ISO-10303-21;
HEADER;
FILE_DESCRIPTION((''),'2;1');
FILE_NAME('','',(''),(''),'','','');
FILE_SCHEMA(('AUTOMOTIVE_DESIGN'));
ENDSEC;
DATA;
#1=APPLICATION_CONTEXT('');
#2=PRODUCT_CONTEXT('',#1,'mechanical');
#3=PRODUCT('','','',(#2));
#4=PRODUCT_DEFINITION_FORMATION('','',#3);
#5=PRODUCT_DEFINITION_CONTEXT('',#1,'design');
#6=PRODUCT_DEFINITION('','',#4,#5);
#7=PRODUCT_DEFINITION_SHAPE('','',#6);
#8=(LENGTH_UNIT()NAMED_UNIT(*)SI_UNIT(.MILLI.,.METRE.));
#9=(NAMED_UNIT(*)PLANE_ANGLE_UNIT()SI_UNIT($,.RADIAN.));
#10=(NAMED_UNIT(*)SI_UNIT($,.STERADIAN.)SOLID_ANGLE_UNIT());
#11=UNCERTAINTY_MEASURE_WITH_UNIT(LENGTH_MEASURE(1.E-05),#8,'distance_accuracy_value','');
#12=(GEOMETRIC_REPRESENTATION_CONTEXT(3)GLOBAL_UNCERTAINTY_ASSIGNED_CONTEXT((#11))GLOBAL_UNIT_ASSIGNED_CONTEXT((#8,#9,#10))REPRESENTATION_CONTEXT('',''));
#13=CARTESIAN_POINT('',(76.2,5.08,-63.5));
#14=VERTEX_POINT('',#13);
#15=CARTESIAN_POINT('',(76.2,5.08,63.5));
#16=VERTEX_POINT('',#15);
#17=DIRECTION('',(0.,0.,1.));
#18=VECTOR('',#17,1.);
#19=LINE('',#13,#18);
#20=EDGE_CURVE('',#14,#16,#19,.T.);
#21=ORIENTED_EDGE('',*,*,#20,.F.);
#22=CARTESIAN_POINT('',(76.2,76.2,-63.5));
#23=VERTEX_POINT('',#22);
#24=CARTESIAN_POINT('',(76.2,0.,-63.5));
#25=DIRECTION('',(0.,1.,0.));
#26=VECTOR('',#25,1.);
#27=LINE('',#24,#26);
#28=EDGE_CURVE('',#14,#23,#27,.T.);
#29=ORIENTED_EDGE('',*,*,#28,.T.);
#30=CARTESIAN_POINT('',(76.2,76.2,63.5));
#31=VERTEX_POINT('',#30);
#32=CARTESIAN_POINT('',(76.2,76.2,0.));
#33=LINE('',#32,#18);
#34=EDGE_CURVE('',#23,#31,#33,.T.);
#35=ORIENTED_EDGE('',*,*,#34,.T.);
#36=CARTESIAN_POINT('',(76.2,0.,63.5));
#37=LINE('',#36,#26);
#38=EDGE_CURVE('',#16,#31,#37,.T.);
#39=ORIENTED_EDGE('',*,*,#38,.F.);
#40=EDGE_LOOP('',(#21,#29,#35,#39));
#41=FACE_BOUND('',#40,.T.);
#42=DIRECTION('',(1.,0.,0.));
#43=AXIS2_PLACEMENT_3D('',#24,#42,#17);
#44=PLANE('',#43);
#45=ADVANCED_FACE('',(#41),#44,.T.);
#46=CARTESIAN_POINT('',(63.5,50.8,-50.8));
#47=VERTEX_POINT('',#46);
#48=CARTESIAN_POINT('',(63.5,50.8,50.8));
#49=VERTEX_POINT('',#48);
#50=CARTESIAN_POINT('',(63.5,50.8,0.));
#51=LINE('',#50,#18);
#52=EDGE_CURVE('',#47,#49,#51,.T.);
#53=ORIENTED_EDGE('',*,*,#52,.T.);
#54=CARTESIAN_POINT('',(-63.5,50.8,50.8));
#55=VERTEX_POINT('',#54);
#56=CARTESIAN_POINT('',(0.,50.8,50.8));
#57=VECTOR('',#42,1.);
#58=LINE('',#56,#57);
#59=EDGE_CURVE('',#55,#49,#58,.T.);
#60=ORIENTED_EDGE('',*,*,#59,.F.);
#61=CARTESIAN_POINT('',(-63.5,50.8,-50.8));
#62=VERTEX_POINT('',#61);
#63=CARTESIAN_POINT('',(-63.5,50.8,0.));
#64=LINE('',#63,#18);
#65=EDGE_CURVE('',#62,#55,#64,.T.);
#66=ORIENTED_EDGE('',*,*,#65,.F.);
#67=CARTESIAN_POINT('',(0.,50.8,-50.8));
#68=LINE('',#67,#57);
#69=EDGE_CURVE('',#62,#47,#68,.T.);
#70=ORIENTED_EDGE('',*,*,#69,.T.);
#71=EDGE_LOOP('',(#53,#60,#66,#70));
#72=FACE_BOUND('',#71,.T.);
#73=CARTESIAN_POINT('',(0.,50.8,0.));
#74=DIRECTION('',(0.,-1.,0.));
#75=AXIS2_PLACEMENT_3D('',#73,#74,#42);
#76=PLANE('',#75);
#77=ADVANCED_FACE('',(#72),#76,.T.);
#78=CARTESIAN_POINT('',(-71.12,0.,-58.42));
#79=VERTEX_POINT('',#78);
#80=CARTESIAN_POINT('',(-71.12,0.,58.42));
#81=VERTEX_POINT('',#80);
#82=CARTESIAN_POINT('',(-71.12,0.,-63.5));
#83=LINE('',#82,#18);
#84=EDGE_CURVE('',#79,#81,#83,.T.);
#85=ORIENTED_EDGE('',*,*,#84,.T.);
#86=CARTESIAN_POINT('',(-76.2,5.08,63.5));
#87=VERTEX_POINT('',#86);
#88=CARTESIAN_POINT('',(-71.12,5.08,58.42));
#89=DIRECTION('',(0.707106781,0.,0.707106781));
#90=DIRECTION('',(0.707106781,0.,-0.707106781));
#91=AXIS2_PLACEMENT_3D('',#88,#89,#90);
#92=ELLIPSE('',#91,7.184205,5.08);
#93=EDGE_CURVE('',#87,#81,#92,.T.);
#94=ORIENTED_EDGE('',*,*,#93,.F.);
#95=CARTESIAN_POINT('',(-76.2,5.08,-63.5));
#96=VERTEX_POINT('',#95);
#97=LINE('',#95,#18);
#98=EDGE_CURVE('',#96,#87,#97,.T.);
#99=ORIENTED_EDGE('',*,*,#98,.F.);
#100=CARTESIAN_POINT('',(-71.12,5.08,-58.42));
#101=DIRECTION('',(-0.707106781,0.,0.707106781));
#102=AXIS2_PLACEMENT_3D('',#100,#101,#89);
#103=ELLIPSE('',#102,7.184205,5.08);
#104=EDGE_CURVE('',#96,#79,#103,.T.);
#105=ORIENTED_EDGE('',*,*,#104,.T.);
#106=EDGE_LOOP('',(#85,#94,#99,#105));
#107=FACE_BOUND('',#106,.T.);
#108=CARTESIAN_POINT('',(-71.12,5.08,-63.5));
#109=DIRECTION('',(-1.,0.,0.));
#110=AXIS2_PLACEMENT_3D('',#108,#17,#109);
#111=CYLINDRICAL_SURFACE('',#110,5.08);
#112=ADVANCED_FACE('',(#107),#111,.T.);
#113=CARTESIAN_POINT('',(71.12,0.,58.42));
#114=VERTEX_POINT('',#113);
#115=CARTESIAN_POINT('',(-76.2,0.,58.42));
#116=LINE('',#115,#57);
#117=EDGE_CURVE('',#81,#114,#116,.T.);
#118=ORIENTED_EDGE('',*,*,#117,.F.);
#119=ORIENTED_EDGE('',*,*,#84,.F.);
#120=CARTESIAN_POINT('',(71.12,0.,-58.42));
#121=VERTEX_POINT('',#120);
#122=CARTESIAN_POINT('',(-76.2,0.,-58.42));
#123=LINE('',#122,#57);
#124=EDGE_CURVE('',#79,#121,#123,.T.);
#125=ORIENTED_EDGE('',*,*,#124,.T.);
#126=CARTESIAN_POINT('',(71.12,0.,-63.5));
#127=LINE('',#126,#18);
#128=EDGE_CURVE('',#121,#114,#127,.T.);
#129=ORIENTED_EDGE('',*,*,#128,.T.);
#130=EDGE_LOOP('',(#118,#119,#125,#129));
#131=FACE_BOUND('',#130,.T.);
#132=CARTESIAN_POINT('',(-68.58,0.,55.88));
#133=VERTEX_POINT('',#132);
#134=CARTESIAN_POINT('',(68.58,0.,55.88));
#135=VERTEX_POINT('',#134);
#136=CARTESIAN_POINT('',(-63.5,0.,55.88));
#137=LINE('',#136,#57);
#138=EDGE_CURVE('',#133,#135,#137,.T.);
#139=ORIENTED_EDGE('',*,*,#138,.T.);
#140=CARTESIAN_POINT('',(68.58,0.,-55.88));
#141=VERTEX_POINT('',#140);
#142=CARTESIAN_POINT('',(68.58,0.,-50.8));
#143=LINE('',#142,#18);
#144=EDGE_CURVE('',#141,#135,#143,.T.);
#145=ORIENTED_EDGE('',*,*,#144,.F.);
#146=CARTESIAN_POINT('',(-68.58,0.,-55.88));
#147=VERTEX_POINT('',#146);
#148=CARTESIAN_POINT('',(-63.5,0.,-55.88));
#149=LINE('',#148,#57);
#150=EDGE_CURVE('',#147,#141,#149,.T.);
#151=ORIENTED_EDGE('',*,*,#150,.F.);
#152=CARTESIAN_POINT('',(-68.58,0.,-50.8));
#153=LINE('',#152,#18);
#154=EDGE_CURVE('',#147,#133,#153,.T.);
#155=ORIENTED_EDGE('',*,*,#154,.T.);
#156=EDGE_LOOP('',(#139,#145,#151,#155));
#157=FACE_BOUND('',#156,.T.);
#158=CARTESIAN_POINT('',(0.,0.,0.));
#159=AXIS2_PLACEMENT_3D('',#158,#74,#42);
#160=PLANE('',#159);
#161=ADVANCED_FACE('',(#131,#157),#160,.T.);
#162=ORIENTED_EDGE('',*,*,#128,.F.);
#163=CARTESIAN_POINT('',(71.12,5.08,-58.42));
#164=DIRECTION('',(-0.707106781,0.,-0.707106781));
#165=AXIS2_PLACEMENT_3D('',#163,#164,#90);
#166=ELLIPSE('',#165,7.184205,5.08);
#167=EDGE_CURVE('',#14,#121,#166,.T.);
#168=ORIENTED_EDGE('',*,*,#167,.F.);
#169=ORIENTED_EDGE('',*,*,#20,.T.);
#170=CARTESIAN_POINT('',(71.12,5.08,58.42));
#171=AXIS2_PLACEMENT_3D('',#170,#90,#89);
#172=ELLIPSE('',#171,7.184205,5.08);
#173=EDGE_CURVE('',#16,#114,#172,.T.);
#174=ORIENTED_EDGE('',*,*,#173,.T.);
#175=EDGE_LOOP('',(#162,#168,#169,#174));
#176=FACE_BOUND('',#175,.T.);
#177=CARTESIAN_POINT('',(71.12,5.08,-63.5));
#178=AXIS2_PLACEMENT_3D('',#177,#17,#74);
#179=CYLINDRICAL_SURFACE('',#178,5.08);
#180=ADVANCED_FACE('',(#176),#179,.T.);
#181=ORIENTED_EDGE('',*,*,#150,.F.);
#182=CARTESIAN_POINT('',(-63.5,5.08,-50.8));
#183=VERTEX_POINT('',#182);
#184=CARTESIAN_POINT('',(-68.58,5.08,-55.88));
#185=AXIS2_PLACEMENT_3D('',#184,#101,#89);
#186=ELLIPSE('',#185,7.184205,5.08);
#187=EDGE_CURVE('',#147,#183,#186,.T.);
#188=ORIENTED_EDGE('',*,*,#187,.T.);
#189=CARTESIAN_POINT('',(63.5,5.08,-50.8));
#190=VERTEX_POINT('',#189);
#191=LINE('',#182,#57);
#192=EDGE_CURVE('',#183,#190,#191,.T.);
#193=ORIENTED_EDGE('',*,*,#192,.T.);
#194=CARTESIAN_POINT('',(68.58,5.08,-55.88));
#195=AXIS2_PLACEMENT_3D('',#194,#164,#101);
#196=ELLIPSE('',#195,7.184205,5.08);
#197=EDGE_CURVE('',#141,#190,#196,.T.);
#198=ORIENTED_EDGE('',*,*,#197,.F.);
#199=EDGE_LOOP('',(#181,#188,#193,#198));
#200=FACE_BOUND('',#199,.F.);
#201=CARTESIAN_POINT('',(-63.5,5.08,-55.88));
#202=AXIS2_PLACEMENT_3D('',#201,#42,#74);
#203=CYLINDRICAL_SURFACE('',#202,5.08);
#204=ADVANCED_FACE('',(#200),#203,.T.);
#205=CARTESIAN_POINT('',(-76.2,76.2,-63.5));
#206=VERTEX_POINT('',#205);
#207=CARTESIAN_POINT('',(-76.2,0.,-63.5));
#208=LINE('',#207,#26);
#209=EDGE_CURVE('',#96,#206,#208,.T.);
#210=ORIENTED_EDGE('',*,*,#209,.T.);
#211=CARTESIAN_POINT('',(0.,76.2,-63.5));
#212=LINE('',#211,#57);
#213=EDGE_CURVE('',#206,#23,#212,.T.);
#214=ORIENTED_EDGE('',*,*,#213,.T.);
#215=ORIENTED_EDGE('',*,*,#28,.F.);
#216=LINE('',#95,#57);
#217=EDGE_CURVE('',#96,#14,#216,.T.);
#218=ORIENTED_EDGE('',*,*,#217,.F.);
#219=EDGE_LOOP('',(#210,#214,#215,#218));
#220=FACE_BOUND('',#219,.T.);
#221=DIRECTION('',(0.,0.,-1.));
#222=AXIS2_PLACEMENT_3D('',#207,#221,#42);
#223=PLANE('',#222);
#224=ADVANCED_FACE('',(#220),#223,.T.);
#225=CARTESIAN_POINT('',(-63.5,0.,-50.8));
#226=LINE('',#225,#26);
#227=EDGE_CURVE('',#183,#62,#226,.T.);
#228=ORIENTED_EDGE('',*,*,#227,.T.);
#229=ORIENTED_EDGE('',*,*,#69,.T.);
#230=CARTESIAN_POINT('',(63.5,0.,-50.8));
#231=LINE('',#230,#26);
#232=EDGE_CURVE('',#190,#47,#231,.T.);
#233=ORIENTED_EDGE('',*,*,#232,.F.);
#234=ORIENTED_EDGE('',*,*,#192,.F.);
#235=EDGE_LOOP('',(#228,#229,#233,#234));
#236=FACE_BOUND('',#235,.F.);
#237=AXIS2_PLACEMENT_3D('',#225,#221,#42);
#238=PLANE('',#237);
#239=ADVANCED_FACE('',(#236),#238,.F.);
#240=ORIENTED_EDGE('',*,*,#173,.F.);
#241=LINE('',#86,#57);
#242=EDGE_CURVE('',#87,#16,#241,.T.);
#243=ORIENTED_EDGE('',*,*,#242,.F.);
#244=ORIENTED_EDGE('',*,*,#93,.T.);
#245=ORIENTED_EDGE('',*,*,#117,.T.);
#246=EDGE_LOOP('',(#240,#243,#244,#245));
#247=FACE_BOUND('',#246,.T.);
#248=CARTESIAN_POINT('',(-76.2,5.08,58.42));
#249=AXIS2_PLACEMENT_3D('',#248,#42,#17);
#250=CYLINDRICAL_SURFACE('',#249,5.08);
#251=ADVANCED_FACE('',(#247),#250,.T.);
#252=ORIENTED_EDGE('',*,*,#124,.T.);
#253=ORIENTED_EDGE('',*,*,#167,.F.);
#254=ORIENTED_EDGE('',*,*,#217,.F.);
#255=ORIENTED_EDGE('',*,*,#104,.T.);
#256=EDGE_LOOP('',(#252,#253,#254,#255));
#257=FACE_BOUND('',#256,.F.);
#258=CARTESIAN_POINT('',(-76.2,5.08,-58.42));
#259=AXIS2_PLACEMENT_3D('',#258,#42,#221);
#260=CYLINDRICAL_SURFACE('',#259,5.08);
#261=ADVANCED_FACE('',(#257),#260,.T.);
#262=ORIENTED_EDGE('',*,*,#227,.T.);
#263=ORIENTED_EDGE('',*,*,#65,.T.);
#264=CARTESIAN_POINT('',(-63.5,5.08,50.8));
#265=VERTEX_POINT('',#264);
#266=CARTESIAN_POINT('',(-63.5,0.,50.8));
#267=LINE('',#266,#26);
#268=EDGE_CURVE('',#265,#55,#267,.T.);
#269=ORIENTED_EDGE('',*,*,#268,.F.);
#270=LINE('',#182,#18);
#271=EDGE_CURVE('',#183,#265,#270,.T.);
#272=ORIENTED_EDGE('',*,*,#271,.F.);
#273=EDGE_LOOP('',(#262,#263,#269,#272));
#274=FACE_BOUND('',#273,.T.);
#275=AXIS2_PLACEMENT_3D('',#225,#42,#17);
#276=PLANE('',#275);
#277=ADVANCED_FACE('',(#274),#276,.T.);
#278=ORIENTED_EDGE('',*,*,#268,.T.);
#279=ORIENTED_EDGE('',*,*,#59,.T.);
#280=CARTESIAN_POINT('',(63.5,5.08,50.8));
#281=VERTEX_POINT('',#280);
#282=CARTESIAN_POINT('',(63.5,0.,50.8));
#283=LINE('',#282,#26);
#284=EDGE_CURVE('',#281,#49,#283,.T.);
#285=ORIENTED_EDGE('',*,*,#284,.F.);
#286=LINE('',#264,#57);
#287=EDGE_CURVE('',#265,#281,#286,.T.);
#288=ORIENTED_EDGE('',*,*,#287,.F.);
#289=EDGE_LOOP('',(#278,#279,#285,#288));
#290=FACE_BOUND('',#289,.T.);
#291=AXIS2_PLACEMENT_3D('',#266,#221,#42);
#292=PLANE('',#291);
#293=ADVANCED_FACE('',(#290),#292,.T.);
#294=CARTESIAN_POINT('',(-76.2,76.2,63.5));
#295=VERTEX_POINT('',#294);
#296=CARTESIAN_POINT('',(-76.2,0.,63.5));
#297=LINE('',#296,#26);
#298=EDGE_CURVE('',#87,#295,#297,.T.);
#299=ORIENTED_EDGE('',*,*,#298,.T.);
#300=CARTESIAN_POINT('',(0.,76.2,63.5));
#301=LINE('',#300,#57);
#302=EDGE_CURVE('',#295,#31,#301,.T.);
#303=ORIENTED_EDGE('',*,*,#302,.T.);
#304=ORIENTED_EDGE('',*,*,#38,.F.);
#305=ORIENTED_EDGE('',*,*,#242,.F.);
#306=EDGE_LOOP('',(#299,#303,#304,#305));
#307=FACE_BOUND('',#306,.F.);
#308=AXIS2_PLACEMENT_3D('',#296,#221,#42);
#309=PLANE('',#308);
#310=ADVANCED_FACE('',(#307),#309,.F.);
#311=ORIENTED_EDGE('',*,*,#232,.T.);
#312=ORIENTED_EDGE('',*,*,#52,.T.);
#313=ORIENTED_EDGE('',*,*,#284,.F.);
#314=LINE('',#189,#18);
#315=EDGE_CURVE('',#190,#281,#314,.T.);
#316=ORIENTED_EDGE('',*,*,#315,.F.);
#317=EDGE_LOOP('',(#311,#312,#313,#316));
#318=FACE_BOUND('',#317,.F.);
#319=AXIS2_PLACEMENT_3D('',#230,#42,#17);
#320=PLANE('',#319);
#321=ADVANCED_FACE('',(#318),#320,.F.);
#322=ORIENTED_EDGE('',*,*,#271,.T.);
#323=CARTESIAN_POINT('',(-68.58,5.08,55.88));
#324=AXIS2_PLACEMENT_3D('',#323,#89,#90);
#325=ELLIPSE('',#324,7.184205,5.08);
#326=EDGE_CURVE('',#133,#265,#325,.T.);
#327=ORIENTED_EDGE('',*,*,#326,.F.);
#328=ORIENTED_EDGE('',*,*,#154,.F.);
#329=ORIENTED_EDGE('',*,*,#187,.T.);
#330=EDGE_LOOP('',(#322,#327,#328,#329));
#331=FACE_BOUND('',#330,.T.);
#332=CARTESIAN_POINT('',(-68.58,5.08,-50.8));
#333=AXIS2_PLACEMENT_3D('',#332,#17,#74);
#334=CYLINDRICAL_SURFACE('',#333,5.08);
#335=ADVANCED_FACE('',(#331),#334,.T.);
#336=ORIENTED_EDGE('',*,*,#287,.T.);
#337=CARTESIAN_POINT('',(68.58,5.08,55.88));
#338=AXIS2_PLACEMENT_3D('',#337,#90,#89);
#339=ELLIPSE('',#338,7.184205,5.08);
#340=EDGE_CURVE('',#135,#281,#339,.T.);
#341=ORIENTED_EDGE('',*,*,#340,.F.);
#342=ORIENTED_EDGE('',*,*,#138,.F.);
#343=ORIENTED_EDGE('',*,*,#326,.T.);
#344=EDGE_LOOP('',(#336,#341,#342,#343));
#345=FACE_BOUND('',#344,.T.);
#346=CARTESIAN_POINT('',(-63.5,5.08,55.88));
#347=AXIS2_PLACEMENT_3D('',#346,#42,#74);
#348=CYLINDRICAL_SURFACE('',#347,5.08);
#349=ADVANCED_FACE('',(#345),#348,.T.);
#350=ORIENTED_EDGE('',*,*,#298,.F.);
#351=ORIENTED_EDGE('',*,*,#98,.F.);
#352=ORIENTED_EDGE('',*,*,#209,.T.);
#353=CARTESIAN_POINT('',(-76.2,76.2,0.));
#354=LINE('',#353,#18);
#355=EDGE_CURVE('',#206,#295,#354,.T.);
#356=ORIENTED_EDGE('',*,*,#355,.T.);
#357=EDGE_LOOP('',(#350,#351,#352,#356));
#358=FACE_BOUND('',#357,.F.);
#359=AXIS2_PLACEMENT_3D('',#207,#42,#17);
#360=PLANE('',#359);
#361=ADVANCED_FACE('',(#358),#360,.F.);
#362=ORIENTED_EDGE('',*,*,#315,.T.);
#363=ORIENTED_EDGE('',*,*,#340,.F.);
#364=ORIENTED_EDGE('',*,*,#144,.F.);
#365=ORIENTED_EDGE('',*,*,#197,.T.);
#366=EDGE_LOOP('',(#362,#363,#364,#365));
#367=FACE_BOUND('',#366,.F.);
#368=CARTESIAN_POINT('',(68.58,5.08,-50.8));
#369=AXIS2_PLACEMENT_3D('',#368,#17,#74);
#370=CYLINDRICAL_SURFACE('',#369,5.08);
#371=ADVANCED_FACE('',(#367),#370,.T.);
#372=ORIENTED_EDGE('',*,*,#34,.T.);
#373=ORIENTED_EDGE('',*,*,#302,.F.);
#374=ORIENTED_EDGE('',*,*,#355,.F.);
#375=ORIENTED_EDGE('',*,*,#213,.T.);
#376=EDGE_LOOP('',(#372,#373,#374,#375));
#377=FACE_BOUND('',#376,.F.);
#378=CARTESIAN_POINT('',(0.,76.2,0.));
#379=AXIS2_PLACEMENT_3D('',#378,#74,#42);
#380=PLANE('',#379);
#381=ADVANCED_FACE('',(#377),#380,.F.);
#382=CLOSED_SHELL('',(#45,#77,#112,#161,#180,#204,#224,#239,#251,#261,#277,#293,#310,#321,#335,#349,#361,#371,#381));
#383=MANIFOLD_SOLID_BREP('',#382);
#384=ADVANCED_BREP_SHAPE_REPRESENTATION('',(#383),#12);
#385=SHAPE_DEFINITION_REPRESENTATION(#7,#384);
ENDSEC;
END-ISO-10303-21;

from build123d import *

# Parameters (mm, degrees)
F0_W     = 152.4
F0_H     = 127
F1_DEPTH = 76.2
F2_W     = 127
F2_H     = 101.6
F3_DEPTH = 50.8
F4_R     = 5.08


with BuildPart() as f1:
    # F0 (on Front) → F1 (new body)
    with BuildSketch(Plane.XZ):
        Rectangle(F0_W, F0_H)
    extrude(amount=-F1_DEPTH)

    # F2 (on face) → F3 (cut)
    with BuildSketch(Plane.XZ):
        Rectangle(F2_W, F2_H)
    extrude(amount=-F3_DEPTH, mode=Mode.SUBTRACT)

    # F4
    f4_edges = [f1.edges().sort_by_distance(p)[0] for p in [
        (0, 0, 50.8),
        (0, 0, 63.5),
        (63.5, 0, 0),
        (0, 0, -50.8),
        (-63.5, 0, 0),
        (-76.2, 0, 0),
        (0, 0, -63.5),
        (76.2, 0, 0),
    ]]
    fillet(f4_edges, radius=F4_R)


solid = f1.part
